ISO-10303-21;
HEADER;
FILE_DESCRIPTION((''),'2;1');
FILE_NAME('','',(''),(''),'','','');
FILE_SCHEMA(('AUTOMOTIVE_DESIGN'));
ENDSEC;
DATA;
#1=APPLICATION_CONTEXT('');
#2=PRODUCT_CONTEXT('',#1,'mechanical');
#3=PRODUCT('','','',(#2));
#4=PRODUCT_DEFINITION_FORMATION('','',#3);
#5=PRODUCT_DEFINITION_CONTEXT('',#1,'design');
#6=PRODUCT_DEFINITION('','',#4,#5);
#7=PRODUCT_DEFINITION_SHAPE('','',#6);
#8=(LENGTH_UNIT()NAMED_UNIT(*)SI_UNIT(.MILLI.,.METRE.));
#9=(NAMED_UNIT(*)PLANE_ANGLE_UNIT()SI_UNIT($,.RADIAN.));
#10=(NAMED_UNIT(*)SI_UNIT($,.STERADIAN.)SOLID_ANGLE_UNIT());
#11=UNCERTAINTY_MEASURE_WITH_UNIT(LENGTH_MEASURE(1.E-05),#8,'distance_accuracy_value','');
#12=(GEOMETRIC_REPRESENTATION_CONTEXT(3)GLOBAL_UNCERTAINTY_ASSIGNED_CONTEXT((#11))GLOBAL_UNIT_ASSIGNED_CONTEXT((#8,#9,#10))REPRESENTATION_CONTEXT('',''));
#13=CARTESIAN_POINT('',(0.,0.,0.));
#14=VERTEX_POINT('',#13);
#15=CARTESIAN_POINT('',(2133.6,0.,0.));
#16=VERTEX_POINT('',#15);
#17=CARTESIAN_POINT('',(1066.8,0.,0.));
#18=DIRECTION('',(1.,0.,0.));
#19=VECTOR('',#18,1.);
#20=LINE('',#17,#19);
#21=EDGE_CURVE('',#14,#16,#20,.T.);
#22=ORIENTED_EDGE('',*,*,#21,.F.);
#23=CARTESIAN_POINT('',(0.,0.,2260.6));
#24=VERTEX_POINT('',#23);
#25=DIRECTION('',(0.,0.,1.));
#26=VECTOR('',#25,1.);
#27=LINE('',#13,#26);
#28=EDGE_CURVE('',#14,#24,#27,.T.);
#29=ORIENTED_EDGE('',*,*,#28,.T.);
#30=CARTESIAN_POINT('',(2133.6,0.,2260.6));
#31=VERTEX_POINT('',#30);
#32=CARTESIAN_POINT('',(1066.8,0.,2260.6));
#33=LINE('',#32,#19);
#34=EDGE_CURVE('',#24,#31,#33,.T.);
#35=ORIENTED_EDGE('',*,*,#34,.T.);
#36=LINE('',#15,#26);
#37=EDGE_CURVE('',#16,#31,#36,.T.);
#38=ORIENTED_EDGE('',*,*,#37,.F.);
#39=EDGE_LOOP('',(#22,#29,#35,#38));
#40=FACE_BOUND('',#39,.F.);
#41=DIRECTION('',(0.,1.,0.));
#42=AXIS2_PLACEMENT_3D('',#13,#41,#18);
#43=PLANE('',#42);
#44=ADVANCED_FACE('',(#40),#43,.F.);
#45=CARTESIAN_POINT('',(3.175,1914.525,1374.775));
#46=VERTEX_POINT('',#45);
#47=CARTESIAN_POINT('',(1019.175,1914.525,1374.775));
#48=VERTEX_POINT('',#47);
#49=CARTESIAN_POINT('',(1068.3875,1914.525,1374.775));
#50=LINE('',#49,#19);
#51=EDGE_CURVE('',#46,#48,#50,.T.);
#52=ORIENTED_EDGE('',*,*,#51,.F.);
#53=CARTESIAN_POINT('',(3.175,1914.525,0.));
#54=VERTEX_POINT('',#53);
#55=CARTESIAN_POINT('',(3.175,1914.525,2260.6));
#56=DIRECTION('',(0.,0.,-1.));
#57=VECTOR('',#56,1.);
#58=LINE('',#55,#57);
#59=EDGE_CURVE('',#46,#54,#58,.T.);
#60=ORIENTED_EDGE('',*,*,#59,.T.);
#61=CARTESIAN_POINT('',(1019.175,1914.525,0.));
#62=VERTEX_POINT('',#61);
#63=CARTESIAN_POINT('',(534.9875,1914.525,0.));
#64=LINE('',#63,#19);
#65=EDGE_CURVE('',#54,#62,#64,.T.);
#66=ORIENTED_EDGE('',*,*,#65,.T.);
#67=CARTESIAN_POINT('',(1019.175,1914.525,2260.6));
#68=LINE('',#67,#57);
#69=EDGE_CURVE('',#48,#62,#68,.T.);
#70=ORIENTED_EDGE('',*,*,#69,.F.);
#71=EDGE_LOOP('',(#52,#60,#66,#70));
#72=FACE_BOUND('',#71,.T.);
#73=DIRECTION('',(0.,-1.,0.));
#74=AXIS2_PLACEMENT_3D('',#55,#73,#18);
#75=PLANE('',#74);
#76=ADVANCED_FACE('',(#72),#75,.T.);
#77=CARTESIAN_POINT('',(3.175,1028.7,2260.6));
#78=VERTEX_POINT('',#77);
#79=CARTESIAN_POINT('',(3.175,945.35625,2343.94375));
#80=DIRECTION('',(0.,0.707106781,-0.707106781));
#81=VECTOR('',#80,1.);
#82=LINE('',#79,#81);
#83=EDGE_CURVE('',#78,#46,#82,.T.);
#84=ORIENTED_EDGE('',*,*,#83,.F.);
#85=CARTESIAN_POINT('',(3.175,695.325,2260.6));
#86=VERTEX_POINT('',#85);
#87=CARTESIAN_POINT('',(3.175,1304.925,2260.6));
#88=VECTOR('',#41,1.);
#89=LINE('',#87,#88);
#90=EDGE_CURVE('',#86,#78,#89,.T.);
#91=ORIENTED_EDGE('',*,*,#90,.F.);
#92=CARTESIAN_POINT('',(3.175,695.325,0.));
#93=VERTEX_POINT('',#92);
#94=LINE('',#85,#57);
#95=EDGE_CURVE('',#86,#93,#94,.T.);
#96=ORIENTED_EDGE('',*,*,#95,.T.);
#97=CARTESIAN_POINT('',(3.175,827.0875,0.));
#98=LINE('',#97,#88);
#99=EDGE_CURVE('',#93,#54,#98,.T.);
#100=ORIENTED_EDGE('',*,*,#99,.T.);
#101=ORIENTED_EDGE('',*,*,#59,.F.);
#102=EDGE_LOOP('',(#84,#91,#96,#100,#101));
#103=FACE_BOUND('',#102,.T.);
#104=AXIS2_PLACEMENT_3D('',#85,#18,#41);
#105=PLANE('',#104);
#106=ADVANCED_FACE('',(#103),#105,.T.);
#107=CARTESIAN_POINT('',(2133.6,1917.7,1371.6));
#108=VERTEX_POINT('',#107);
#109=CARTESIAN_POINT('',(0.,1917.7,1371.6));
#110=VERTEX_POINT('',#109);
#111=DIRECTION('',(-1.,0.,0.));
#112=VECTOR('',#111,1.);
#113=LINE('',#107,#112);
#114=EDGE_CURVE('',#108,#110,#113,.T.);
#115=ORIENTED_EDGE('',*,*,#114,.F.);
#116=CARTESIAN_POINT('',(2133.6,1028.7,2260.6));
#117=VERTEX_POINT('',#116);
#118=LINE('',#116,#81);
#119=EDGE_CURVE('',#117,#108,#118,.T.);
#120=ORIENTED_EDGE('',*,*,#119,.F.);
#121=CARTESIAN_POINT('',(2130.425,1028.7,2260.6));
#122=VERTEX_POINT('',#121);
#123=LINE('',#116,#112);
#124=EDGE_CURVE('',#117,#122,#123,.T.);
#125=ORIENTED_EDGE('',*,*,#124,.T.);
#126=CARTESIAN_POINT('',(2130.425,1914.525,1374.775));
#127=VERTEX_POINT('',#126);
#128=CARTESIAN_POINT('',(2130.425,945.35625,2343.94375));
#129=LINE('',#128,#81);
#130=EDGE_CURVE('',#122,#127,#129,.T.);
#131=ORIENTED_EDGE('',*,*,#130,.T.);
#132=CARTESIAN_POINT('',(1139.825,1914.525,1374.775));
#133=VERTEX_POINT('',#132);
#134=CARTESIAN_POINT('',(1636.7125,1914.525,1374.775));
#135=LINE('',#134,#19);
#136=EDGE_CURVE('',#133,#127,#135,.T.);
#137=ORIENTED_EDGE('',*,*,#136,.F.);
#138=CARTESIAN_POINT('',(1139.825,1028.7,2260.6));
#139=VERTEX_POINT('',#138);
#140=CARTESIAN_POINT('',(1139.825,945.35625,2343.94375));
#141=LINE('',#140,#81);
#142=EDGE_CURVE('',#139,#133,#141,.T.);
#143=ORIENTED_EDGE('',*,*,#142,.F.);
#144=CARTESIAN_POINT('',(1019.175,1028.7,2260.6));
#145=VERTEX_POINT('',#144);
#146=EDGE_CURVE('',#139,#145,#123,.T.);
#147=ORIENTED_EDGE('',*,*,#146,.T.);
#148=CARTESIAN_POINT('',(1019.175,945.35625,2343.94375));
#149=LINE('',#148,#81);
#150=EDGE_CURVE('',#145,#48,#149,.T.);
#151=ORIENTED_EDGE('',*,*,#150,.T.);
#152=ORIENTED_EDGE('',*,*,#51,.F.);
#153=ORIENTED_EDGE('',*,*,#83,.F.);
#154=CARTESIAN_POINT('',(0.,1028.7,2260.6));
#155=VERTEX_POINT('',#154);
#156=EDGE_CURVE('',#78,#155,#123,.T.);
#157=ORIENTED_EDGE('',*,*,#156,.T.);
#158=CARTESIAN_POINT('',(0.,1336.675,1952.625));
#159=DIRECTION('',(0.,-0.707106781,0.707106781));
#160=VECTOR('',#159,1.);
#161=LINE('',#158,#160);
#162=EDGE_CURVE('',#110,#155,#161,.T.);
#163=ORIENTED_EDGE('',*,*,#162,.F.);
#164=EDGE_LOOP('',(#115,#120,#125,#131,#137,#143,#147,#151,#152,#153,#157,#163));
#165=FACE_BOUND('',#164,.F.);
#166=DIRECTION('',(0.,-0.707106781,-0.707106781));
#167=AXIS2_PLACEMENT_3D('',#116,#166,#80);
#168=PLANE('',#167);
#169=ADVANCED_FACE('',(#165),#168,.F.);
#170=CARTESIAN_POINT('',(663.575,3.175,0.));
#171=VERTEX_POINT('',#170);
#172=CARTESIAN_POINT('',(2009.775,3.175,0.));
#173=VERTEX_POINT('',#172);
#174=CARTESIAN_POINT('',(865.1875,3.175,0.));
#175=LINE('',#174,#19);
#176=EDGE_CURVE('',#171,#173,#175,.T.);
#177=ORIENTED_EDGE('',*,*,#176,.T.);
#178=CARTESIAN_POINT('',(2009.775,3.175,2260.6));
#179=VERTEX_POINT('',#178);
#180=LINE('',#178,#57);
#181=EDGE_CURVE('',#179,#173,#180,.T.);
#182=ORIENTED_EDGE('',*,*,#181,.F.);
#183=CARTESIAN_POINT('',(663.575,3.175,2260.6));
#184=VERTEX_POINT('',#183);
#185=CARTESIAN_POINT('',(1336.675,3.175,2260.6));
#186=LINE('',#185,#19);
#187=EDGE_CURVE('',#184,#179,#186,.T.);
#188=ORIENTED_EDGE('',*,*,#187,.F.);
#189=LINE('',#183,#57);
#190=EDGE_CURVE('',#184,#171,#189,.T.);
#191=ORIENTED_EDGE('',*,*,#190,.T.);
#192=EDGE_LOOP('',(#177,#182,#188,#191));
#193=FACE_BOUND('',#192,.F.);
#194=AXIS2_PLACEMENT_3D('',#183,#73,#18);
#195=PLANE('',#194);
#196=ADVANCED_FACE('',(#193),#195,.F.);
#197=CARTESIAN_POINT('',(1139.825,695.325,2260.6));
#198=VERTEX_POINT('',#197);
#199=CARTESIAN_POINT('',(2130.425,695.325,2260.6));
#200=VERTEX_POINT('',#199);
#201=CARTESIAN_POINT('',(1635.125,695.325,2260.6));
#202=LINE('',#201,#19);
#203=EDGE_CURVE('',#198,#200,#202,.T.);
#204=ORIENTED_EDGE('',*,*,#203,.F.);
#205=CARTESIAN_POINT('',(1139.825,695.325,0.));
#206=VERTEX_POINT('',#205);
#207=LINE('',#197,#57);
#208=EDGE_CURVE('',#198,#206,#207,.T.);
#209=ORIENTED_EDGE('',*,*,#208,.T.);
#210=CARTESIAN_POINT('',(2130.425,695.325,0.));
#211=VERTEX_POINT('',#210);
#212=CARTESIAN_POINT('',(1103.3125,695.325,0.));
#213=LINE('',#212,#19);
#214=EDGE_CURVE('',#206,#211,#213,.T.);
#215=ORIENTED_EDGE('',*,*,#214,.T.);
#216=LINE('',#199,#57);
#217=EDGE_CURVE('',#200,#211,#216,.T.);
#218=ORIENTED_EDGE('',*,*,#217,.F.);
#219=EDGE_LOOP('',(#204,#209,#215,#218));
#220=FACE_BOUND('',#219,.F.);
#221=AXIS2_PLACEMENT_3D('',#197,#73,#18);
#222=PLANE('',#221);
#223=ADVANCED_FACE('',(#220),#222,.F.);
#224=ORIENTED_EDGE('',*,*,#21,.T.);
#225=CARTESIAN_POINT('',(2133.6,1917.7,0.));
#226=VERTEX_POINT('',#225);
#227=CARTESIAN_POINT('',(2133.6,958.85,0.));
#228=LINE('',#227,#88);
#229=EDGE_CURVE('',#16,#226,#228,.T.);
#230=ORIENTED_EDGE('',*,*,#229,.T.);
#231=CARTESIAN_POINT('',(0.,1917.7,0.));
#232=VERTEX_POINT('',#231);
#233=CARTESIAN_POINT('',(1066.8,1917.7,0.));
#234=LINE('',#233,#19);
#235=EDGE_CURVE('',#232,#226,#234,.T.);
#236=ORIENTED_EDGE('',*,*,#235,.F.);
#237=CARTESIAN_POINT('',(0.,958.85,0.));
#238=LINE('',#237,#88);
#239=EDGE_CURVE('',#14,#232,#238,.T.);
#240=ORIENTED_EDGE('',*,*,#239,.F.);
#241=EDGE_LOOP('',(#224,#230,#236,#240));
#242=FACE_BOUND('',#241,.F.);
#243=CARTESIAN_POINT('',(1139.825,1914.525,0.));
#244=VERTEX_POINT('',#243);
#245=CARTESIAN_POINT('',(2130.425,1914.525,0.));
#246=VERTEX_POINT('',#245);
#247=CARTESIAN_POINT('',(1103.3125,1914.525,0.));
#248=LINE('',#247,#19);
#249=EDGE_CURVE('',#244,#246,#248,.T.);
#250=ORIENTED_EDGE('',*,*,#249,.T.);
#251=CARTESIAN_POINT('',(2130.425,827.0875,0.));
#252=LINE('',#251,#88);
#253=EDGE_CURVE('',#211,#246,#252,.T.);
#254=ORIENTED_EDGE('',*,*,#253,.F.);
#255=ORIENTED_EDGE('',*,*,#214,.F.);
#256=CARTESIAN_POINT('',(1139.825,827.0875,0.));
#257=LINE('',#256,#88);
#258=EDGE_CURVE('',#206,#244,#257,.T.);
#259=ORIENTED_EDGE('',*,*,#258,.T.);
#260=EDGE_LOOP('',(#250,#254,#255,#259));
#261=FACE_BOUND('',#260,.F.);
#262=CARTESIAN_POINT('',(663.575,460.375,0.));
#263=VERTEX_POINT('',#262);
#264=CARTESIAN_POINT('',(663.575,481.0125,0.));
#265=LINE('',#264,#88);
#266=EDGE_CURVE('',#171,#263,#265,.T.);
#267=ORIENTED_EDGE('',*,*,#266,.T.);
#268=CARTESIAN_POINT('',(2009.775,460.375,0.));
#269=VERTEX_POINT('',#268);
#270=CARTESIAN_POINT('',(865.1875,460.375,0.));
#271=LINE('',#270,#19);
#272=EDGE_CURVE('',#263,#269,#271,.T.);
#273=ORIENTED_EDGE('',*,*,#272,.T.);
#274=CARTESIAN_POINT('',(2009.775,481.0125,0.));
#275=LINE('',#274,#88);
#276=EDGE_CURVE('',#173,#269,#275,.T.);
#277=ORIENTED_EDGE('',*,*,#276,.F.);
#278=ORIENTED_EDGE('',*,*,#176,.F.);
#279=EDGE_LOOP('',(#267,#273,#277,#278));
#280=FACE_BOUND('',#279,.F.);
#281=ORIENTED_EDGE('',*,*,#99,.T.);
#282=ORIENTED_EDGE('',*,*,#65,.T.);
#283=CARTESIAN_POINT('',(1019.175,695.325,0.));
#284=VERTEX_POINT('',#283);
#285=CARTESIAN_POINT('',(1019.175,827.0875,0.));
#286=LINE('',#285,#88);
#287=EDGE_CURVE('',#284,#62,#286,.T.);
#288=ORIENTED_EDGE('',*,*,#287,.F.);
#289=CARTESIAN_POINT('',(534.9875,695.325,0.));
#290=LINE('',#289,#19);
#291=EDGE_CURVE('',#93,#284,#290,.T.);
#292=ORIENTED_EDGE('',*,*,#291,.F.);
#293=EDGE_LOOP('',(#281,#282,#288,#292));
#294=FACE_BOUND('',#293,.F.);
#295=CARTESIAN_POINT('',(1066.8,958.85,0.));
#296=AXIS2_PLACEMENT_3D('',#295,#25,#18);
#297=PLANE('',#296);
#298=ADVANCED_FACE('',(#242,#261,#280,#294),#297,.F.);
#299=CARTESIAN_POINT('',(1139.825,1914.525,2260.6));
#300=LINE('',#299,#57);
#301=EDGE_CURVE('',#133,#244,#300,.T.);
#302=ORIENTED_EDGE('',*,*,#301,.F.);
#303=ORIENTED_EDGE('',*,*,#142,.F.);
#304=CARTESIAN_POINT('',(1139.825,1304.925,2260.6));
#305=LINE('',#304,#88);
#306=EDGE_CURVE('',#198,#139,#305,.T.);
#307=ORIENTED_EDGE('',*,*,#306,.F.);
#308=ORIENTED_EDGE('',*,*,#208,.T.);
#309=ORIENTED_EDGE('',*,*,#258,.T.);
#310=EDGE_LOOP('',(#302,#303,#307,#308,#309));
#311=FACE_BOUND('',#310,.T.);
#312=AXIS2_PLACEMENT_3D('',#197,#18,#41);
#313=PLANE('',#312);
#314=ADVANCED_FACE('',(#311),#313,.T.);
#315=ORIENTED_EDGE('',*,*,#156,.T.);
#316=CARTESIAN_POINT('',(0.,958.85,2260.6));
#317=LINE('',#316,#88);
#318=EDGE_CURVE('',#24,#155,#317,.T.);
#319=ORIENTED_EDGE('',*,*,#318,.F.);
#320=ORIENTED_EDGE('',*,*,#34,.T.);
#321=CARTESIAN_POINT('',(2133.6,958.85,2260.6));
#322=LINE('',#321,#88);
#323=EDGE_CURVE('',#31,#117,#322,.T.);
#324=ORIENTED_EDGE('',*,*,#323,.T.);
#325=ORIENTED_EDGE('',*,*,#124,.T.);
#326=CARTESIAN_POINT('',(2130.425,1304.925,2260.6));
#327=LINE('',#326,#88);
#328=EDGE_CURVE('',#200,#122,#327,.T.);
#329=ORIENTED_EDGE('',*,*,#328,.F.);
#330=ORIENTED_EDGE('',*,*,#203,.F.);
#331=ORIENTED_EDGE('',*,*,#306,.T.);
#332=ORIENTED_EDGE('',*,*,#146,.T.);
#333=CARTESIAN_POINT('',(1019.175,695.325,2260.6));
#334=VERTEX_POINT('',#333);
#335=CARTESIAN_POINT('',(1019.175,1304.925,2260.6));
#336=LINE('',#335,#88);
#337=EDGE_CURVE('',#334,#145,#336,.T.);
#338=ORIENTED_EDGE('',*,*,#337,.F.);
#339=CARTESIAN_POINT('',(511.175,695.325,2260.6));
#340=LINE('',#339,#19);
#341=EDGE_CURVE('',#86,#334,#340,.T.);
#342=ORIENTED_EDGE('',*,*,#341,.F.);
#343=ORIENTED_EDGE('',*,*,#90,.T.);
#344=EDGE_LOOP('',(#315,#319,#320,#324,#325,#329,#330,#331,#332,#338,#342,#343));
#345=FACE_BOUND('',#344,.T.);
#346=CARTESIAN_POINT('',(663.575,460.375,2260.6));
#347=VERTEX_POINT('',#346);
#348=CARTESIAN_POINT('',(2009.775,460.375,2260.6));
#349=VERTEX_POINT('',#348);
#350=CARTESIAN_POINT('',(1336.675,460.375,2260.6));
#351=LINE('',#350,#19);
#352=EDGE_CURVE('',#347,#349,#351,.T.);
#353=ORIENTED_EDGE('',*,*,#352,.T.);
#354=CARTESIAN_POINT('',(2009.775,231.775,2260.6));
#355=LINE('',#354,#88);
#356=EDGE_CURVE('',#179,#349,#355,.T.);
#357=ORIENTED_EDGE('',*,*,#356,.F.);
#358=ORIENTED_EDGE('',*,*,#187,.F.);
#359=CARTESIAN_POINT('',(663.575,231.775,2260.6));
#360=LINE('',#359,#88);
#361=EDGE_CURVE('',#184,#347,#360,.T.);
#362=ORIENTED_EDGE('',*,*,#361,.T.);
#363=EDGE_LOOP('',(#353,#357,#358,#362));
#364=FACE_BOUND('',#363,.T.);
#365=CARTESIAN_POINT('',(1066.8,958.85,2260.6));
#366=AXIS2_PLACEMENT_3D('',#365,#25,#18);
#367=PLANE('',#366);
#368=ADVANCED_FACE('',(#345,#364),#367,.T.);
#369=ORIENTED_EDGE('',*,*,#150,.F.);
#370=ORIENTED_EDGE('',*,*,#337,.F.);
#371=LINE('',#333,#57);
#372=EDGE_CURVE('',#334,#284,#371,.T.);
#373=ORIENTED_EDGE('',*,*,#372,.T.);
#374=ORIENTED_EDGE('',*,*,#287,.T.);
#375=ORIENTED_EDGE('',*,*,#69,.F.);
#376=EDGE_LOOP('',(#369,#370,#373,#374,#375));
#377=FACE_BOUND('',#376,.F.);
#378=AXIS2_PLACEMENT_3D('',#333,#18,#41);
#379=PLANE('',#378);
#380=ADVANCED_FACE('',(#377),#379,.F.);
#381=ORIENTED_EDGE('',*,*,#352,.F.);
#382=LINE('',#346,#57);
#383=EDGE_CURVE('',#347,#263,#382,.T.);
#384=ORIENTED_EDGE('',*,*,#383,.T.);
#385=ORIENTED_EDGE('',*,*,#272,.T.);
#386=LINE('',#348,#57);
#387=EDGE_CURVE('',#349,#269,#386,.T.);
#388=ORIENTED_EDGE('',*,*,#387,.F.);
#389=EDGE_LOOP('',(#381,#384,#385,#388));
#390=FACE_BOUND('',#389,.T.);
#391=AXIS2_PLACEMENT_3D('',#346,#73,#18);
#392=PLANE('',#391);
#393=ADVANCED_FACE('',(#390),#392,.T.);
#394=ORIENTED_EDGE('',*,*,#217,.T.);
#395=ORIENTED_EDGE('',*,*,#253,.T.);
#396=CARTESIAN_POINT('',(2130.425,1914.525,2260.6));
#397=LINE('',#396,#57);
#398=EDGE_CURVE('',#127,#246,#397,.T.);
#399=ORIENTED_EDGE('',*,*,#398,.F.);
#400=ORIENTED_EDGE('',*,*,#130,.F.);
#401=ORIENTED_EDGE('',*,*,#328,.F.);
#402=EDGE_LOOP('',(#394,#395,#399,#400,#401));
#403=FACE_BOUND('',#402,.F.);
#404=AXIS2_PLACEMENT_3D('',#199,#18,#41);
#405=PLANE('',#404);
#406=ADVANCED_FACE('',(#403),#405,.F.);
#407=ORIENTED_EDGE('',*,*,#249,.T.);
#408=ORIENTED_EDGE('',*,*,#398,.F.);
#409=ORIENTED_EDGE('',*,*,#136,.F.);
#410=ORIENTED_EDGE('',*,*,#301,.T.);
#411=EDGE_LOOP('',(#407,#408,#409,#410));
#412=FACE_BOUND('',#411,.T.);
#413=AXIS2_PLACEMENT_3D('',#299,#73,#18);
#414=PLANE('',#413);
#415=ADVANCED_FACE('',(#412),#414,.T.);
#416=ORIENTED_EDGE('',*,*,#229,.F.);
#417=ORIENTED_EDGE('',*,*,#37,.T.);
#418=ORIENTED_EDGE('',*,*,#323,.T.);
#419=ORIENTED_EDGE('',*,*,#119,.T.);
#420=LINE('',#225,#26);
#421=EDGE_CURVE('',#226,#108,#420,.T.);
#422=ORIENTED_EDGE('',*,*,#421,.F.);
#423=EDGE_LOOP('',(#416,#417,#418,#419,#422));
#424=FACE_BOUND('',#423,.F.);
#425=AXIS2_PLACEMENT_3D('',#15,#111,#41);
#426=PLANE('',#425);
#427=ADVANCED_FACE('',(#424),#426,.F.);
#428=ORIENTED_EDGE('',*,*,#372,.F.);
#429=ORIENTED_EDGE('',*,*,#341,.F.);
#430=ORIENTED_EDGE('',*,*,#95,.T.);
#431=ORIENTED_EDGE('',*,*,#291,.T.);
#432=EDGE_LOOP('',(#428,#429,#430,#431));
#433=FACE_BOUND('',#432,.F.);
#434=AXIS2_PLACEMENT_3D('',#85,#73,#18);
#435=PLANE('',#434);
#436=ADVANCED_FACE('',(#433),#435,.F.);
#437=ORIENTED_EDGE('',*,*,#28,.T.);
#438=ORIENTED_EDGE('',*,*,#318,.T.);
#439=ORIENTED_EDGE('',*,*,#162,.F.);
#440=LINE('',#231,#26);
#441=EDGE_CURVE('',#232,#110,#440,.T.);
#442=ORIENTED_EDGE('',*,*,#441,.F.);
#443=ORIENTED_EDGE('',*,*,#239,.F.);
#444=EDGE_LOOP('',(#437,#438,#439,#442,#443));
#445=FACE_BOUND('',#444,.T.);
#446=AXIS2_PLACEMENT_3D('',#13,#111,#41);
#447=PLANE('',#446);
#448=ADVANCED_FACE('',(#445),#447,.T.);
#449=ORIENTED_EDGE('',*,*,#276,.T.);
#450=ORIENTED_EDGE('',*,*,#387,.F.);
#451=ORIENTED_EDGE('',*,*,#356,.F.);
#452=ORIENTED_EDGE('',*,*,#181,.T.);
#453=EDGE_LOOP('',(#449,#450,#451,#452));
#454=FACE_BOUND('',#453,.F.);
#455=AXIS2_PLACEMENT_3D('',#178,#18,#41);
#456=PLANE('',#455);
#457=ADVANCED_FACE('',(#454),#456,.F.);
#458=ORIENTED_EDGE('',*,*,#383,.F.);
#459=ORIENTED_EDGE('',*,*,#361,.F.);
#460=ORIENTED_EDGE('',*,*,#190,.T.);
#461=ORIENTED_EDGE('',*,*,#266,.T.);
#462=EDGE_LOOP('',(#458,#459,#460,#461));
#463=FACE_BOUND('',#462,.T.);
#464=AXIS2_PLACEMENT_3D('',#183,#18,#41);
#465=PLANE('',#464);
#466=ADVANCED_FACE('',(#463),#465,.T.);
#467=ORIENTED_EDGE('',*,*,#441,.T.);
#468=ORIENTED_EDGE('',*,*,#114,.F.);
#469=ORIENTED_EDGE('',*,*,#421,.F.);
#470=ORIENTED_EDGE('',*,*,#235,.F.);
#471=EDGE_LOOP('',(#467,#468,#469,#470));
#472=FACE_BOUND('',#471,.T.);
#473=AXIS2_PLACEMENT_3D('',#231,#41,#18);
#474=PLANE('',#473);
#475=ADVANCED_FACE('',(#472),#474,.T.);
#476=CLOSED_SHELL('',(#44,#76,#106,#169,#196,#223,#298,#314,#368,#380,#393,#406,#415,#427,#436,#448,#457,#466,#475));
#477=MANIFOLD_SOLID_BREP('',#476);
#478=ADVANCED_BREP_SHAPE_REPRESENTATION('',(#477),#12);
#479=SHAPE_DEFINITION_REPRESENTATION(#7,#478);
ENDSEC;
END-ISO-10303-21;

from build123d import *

# Parameters (mm, degrees)
F0_W     = 2133.6
F0_H     = 1917.7
F1_DEPTH = 2260.6
F2_W     = 990.6
F2_H     = 1219.2
F2_W_2   = 1016
F3_DEPTH = 2260.601
F4_W     = 1346.2
F4_H     = 457.2
F5_DEPTH = 2260.601
F7_DEPTH = 2133.601


with BuildPart() as f1:
    # F0 (on Top) → F1 (new body)
    with BuildSketch(Plane.XY):
        with Locations((1066.8, 958.85)):
            Rectangle(F0_W, F0_H)
    extrude(amount=F1_DEPTH)

    # F2 (on face) → F3 (cut, through all)
    with BuildSketch(Plane.XY.offset(2260.6)):
        with Locations((1635.125, 1304.925)):
            Rectangle(F2_W, F2_H)
        with Locations((511.175, 1304.925)):
            Rectangle(F2_W_2, F2_H)
    extrude(amount=-F3_DEPTH, mode=Mode.SUBTRACT)

    # F4 (on face) → F5 (cut, through all)
    with BuildSketch(Plane.XY.offset(2260.6)):
        with Locations((1336.675, 231.775)):
            Rectangle(F4_W, F4_H)
    extrude(amount=-F5_DEPTH, mode=Mode.SUBTRACT)

    # F6 (on face) → F7 (cut, through all)
    with BuildSketch(Plane.YZ.offset(2133.6)):
        Polygon((1917.7, 1371.6), (1917.7, 2260.6), (1028.7, 2260.6), align=None)
    extrude(amount=-F7_DEPTH, mode=Mode.SUBTRACT)


solid = f1.part
